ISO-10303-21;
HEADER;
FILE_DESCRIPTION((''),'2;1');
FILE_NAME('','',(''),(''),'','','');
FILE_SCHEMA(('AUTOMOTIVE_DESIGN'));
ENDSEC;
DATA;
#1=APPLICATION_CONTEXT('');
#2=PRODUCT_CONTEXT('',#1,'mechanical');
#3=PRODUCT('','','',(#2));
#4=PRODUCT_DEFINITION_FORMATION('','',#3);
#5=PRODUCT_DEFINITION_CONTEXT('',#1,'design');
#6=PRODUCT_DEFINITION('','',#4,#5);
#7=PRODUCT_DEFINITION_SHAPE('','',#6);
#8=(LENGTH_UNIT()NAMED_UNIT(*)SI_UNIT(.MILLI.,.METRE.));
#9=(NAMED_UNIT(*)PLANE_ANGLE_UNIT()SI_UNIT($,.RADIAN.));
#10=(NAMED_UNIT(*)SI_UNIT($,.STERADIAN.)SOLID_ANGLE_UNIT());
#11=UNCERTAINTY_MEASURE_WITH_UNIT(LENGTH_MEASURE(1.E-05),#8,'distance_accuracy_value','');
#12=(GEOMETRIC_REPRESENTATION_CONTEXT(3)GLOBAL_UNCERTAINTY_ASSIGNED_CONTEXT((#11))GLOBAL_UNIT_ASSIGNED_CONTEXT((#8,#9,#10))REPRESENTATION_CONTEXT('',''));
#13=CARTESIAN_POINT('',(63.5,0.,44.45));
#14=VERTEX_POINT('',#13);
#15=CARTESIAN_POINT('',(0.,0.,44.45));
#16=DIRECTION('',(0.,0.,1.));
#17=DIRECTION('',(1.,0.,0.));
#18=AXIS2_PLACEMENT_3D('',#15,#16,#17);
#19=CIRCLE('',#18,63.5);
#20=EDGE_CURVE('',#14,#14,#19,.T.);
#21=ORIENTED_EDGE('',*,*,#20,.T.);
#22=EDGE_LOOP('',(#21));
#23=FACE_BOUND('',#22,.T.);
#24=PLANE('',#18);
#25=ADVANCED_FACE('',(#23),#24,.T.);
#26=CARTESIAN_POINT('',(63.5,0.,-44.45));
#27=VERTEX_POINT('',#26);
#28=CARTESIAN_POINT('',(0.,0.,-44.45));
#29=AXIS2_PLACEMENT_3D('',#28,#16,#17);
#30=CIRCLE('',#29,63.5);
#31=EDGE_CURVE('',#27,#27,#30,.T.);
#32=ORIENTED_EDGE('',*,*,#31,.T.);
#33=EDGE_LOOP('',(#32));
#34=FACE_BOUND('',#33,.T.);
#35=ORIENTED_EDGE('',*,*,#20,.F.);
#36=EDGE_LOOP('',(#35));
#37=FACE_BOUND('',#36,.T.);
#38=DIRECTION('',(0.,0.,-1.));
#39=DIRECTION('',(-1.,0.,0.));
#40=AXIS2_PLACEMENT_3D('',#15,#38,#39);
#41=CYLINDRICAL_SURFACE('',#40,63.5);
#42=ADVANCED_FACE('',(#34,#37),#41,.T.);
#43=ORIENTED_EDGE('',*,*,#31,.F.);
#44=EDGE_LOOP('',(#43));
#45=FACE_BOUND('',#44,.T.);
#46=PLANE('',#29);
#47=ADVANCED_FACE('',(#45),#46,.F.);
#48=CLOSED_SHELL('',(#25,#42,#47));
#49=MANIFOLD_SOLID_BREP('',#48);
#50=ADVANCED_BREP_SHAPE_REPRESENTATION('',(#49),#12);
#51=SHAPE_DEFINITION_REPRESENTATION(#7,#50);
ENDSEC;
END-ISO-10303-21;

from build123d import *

# Parameters (mm, degrees)
SKETCH1_R           = 63.5
BOSS_EXTRUDE1_DEPTH = 44.45


with BuildPart() as part:
    # Sketch1 → Boss-Extrude1 (new body, symmetric)
    with BuildSketch(Plane.XY):
        Circle(SKETCH1_R)
    extrude(amount=BOSS_EXTRUDE1_DEPTH, both=True)


solid = part.part
